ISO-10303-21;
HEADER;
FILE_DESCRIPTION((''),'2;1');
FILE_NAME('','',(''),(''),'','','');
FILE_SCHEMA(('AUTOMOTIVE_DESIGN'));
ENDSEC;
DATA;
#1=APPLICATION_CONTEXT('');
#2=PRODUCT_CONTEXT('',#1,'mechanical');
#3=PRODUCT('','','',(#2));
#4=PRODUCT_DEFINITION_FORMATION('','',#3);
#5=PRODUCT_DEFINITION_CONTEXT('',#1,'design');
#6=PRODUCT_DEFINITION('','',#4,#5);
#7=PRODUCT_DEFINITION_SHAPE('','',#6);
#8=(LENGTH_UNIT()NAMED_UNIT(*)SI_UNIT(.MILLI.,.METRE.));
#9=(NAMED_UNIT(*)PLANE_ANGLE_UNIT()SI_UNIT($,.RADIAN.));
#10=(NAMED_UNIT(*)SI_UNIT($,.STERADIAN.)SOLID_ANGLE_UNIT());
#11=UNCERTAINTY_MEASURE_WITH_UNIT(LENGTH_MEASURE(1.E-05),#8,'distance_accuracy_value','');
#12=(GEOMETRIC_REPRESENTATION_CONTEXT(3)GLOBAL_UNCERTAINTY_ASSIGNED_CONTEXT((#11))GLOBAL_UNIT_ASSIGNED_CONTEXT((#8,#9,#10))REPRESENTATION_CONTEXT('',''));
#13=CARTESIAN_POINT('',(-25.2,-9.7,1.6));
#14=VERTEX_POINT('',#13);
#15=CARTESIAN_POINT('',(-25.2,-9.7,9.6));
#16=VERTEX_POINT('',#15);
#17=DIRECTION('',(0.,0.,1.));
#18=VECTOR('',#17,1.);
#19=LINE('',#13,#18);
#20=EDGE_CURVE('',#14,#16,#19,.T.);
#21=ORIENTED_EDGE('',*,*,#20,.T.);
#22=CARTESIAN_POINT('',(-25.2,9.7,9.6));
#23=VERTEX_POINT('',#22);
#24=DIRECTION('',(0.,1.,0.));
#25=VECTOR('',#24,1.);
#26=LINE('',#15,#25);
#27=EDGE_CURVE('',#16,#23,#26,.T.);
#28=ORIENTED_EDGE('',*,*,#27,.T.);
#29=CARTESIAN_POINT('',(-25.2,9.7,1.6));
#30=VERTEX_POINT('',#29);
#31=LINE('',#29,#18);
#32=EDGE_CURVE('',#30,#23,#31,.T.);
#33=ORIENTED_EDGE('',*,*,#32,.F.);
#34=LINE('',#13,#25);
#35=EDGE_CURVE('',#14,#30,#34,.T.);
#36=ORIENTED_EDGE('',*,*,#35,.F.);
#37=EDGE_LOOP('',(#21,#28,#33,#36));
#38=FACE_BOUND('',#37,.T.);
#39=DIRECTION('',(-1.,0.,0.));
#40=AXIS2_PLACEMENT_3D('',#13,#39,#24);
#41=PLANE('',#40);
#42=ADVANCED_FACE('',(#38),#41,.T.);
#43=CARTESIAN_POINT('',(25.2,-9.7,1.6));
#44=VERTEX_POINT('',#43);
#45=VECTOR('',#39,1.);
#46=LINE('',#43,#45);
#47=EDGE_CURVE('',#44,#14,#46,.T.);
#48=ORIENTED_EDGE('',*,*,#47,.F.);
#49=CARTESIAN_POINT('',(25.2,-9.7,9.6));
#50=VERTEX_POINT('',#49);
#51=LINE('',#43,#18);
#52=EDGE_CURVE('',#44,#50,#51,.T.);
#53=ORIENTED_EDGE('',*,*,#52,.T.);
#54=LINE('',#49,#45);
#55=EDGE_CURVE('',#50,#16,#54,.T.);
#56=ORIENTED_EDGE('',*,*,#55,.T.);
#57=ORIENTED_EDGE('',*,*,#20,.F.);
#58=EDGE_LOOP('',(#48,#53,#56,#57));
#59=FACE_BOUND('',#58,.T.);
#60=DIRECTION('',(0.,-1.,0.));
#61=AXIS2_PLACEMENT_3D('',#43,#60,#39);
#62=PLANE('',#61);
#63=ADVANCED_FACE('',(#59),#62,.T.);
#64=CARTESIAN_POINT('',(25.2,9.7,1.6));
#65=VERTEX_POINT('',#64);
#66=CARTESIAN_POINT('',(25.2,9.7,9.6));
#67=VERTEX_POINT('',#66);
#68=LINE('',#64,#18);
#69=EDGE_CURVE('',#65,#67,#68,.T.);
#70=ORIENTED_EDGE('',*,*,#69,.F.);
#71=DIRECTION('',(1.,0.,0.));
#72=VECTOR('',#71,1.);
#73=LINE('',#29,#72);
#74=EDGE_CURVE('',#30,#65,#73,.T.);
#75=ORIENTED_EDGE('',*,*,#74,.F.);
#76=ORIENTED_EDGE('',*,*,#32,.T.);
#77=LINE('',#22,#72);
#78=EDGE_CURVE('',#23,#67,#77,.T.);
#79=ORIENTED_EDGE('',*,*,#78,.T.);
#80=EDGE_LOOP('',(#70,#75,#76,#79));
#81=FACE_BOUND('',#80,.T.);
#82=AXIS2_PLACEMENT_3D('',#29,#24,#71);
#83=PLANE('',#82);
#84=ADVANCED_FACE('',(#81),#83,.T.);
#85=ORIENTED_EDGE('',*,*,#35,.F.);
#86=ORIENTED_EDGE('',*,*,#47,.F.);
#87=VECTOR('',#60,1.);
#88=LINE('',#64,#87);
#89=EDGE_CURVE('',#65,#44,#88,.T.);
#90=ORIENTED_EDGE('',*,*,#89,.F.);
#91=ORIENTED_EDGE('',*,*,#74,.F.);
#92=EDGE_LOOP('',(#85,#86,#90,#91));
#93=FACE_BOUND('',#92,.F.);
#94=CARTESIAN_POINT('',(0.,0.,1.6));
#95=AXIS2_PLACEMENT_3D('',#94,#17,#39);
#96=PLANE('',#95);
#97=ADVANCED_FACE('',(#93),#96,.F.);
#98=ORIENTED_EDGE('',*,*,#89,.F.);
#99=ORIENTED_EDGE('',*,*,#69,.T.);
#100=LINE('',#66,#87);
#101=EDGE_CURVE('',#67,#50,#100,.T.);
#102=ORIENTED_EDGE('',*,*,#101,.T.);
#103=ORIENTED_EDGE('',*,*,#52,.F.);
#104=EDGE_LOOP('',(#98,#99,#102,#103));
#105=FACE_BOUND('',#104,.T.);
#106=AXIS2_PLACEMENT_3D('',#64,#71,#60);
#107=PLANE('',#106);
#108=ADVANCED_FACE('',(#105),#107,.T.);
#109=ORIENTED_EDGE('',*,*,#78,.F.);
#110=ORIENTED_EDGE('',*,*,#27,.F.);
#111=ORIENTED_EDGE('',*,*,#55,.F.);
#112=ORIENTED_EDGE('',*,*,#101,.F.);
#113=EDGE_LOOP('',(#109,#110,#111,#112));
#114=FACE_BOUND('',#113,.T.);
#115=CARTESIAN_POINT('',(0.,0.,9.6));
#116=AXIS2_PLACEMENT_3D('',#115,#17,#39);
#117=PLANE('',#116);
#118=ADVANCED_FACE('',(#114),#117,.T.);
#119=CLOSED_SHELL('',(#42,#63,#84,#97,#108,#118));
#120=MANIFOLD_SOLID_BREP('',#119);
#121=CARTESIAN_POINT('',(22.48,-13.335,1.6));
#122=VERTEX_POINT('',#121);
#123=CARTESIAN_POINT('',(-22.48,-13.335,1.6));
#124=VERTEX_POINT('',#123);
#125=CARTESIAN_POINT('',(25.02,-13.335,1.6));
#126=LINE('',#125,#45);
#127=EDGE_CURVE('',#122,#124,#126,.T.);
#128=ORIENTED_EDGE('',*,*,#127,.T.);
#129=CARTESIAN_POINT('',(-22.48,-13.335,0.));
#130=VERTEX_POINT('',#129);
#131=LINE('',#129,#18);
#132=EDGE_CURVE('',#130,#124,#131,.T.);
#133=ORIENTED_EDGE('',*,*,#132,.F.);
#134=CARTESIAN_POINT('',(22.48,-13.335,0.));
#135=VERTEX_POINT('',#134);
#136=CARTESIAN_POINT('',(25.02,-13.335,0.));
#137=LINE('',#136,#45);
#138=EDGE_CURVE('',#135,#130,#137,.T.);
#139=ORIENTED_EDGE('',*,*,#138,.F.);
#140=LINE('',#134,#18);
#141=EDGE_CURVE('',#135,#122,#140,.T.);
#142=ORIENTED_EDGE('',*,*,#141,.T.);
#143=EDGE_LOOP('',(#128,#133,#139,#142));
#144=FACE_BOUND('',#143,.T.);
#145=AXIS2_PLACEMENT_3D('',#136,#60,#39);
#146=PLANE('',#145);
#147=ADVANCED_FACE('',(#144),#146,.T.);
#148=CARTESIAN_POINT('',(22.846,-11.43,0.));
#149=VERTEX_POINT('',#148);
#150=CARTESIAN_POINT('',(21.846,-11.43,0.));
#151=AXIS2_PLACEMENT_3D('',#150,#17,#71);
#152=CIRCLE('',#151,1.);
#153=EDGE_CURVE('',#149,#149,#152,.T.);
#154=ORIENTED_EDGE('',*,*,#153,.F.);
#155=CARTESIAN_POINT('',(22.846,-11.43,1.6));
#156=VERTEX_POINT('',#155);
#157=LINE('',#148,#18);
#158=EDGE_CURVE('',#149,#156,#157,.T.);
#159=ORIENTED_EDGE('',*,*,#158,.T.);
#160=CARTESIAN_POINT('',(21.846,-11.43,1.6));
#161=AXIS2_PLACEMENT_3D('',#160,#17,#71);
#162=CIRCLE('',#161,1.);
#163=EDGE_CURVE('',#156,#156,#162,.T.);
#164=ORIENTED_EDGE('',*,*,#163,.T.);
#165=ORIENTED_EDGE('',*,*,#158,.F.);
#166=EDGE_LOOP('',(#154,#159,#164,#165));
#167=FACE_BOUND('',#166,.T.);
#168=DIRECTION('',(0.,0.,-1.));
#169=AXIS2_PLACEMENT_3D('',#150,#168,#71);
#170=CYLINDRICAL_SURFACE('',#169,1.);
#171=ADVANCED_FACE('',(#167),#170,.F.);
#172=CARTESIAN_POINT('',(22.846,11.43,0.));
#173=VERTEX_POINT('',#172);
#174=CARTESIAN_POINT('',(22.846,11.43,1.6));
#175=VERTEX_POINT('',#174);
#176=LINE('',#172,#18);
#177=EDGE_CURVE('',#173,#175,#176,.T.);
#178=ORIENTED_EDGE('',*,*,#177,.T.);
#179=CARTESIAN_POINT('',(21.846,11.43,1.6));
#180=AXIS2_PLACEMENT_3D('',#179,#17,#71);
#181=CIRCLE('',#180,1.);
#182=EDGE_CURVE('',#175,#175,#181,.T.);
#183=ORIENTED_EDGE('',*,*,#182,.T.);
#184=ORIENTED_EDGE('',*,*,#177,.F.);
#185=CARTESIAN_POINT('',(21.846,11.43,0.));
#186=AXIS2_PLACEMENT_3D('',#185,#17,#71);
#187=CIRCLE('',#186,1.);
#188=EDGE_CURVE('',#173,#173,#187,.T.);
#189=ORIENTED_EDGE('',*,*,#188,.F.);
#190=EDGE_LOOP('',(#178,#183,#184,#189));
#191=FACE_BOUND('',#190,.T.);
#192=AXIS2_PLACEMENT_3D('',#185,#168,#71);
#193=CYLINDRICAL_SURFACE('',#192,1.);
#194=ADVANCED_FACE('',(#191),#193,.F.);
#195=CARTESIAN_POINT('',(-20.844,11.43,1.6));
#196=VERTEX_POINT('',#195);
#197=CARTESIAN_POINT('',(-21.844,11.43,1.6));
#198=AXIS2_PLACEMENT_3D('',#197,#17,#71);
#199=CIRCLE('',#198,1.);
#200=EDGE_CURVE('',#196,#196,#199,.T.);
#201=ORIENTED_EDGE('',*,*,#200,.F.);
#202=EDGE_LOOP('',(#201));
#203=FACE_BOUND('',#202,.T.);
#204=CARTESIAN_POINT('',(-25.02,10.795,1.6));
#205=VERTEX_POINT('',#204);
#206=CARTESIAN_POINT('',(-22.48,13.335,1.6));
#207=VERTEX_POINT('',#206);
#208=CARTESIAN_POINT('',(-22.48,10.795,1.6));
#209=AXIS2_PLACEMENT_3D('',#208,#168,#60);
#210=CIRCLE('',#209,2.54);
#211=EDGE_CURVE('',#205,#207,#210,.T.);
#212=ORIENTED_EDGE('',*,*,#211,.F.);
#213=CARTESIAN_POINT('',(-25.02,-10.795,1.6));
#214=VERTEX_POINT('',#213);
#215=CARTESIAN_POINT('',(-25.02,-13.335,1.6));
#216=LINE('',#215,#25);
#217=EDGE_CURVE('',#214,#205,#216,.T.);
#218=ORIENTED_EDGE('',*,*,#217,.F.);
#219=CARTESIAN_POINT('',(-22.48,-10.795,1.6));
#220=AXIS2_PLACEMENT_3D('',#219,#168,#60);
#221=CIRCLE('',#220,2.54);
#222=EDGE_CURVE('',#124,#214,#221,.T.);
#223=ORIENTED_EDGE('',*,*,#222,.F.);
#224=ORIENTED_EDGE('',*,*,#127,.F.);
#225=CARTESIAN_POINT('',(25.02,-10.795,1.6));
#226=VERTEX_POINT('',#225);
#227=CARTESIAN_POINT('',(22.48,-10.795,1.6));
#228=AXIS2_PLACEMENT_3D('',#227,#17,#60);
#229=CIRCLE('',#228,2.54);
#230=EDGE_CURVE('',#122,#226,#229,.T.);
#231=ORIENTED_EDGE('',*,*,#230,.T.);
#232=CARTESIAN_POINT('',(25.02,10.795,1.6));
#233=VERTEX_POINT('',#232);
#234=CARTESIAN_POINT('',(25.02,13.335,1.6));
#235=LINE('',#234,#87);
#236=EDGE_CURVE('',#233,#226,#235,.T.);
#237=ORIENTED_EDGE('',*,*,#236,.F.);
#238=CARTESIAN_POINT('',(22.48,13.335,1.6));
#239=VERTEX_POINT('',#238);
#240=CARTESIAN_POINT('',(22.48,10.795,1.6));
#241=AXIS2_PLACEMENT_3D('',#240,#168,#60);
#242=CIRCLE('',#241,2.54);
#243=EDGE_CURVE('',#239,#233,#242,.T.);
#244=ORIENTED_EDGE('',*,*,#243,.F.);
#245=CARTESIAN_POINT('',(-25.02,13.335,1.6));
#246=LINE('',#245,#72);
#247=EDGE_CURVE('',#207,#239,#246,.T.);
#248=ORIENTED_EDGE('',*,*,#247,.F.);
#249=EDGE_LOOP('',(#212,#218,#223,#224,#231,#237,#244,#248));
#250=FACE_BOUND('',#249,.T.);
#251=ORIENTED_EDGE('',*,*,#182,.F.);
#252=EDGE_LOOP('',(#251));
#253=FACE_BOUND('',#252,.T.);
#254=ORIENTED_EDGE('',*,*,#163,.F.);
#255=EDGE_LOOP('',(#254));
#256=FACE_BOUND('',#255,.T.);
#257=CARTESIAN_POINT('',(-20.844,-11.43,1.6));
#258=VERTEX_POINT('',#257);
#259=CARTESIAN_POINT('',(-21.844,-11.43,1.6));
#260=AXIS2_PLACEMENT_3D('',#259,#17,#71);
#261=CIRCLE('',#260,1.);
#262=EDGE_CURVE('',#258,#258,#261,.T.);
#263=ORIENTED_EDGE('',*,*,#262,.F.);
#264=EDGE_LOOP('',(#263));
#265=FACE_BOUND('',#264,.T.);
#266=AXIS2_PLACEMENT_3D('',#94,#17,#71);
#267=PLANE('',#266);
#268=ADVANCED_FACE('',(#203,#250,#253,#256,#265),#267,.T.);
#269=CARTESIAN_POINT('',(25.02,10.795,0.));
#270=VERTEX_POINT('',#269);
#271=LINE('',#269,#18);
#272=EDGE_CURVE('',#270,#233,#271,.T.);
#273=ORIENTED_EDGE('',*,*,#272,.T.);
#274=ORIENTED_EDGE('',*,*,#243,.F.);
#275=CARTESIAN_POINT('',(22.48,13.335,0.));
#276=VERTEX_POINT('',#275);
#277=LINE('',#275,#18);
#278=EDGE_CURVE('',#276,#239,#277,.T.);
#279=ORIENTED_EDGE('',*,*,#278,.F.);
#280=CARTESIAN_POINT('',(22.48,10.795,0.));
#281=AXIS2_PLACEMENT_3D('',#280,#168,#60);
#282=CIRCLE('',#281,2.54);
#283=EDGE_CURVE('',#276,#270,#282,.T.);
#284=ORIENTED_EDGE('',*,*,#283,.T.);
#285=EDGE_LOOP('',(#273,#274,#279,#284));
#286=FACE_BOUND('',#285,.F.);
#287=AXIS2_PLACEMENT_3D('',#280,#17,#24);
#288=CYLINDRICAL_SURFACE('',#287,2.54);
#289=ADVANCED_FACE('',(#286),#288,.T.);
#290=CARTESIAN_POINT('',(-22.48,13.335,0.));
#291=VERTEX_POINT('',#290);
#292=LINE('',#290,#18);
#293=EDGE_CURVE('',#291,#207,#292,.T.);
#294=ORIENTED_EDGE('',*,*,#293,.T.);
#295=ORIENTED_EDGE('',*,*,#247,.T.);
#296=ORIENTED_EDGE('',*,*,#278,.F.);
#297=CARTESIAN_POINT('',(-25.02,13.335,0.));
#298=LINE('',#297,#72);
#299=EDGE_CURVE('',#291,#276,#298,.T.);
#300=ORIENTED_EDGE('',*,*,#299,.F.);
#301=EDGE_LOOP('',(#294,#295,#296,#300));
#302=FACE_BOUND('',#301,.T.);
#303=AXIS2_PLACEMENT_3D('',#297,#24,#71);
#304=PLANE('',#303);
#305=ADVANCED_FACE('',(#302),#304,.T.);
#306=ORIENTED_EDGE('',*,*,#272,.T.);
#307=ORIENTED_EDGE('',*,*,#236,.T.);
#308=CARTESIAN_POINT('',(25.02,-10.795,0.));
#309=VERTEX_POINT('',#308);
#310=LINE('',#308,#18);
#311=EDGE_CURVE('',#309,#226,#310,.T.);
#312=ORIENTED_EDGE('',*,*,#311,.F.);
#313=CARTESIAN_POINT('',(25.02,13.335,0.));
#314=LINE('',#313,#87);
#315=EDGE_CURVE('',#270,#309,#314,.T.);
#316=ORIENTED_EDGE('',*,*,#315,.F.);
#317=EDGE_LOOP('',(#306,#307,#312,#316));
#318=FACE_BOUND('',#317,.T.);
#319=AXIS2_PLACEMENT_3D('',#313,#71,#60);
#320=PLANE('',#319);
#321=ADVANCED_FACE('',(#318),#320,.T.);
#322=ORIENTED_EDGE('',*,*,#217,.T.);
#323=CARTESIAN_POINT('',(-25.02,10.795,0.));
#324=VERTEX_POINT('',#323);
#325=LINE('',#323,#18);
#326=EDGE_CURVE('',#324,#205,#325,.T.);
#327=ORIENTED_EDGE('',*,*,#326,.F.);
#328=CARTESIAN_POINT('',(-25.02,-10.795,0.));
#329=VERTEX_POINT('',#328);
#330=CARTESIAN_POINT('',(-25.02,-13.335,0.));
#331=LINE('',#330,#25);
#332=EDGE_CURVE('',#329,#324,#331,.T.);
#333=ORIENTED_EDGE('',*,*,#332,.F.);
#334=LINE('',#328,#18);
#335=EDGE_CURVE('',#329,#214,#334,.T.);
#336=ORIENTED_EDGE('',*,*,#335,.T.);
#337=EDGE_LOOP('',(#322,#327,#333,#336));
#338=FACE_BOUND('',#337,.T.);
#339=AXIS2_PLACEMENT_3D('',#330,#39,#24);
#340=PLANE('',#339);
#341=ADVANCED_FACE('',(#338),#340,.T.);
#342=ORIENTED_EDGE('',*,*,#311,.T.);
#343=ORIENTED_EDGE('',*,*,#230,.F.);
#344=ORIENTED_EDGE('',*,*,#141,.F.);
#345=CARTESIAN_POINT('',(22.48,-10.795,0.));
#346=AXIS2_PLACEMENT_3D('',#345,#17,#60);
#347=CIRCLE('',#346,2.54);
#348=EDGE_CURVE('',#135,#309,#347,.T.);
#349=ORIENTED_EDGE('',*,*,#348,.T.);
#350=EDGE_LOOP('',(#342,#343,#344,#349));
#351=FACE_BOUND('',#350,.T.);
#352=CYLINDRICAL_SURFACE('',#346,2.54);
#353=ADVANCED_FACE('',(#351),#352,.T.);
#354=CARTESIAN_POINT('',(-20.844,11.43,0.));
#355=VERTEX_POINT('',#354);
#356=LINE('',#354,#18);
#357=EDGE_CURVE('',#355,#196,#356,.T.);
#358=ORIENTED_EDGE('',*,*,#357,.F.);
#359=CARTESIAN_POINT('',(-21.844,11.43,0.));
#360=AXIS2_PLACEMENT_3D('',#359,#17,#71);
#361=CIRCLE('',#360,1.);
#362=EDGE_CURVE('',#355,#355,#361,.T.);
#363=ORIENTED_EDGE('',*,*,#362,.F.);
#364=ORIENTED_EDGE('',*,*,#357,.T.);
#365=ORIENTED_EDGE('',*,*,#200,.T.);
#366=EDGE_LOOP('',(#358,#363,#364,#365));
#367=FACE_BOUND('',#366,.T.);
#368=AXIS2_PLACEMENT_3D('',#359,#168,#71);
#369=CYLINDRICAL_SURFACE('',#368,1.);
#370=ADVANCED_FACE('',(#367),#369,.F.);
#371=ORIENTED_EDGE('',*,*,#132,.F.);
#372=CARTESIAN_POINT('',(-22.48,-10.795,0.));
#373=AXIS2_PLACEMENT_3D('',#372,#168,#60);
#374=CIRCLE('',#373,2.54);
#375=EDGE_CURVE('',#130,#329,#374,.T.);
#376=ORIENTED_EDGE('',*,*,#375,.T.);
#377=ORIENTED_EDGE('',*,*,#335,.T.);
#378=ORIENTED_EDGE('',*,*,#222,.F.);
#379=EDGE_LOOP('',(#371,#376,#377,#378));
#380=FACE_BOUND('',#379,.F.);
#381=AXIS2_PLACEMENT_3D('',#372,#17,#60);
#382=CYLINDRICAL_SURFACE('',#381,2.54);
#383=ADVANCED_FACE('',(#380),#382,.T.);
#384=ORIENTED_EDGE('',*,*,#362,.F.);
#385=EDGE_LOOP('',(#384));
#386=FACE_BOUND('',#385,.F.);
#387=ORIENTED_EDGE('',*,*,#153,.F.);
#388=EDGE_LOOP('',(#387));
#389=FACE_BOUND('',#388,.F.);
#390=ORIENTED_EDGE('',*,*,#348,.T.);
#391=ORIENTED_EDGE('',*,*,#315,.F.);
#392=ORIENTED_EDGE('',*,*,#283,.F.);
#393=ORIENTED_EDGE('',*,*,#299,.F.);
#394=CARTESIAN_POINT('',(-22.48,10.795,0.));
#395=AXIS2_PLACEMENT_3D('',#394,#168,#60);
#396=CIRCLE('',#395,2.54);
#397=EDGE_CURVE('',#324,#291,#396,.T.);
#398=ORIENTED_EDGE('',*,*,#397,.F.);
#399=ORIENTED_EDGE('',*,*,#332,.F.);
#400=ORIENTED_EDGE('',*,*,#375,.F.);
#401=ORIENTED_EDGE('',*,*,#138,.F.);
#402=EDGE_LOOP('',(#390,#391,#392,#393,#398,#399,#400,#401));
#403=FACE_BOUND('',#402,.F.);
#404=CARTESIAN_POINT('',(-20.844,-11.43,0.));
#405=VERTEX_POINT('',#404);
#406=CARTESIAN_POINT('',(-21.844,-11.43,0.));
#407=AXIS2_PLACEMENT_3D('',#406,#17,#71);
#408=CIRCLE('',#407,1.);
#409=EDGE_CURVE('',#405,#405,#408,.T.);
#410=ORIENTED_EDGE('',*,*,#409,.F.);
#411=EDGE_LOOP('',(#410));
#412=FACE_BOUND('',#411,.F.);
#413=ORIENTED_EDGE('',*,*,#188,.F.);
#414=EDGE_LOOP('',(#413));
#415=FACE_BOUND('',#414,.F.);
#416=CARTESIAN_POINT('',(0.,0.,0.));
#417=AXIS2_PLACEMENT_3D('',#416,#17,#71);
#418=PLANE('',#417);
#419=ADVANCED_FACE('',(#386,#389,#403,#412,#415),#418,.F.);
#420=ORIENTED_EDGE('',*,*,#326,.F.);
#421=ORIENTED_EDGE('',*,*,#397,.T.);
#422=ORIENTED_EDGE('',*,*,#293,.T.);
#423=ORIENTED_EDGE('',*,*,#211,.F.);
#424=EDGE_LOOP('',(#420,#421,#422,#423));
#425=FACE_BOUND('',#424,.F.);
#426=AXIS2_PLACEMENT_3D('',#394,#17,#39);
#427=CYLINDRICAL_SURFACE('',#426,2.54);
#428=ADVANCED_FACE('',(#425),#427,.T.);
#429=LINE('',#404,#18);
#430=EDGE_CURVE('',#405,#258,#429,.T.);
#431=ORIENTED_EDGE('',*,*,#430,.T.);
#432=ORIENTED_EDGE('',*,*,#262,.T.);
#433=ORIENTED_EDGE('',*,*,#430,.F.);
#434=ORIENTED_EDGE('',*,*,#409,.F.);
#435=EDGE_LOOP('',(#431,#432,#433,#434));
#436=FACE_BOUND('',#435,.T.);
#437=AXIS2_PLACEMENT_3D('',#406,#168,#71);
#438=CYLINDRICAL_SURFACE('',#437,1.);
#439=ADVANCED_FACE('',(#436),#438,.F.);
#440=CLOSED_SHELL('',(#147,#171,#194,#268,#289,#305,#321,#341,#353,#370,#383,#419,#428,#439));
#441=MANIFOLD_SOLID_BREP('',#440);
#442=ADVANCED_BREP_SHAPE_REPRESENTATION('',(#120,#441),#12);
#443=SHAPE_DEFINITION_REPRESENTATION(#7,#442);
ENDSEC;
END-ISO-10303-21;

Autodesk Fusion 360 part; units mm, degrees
sketch "Sketch1" plane through (0, 0, 0) normal (0, 0, 1) x (1, 0, 0)
  line L0 (25.02, -13.335) -> (-25.02, -13.335)
  line L1 (-25.02, -13.335) -> (-25.02, 13.335)
  line L2 (-25.02, 13.335) -> (25.02, 13.335)
  line L3 (25.02, 13.335) -> (25.02, -13.335)
  line L4 (25.02, -13.335) -> (-25.02, 13.335) construction
  line L5 (-25.02, -13.335) -> (25.02, 13.335) construction
  circle A0 centre (-21.844, 11.43) radius 1
  circle A1 centre (21.846, 11.43) radius 1
  line L6 (0, 0) -> (25.02, 0) construction
  circle A2 centre (-21.844, -11.43) radius 1
  circle A3 centre (21.846, -11.43) radius 1
  dimension "d1" = 26.67
  dimension "d2" = 50.04
  dimension "d3" = 2
  dimension "d4" = 11.43
  dimension "d5" = 21.844
  dimension "d7" = 43.69
extrude "Extrude1" add sketch "Sketch1" along normal blind 1.6 makes body 1
fillet "Fillet1" radius 2.54 4 edges at (-25.02, 13.335, 0.8) (-25.02, -13.335, 0.8) (25.02, 13.335, 0.8) (25.02, -13.335, 0.8) on bodies 1
sketch "Sketch2" plane through (0, 0, 1.6) normal (0, 0, 1) x (-1, 0, 0)
  arc A0 (-22.48, 13.335) -> (-25.02, 10.795) centre (-22.48, 10.795) ccw
  line L0 (-25.02, 10.795) -> (-25.02, -10.795) construction
  arc A1 (-25.02, -10.795) -> (-22.48, -13.335) centre (-22.48, -10.795) ccw
  line L1 (-22.48, -13.335) -> (22.48, -13.335)
  arc A2 (22.48, -13.335) -> (25.02, -10.795) centre (22.48, -10.795) ccw
  line L2 (25.02, -10.795) -> (25.02, 10.795) construction
  arc A3 (25.02, 10.795) -> (22.48, 13.335) centre (22.48, 10.795) ccw
  line L3 (22.48, 13.335) -> (-22.48, 13.335)
  circle A4 centre (-21.846, 11.43) radius 1 construction
  circle A5 centre (21.844, 11.43) radius 1 construction
  circle A6 centre (-21.846, -11.43) radius 1 construction
  circle A7 centre (21.844, -11.43) radius 1 construction
  line L4 (-25.2, 9.7) -> (25.2, 9.7)
  line L5 (25.2, 9.7) -> (25.2, -9.7)
  line L6 (25.2, -9.7) -> (-25.2, -9.7)
  line L7 (-25.2, -9.7) -> (-25.2, 9.7)
  line L8 (-25.2, 9.7) -> (25.2, -9.7) construction
  line L9 (25.2, 9.7) -> (-25.2, -9.7) construction
  line L10 (-25.5, 10) -> (25.5, 10)
  line L11 (25.5, 10) -> (25.5, -10)
  line L12 (25.5, -10) -> (-25.5, -10)
  line L13 (-25.5, -10) -> (-25.5, 10)
  dimension "d11" = 50.4
  dimension "d12" = 19.4
  dimension "d28" = 0.3
extrude "Extrude2" add sketch "Sketch2" along normal blind 8 separate body contours L4 L5 L6 L7 makes body 2
sketch "Sketch3" plane through (0, 0, 1.6) normal (0, 0, 1) x (-1, 0, 0)
  arc A0 (-22.48, 13.335) -> (-25.02, 10.795) centre (-22.48, 10.795) ccw
  line L0 (-25.02, 10.795) -> (-25.02, -10.795)
  arc A1 (-25.02, -10.795) -> (-22.48, -13.335) centre (-22.48, -10.795) ccw
  line L1 (-22.48, -13.335) -> (22.48, -13.335)
  arc A2 (22.48, -13.335) -> (25.02, -10.795) centre (22.48, -10.795) ccw
  line L2 (25.02, -10.795) -> (25.02, 10.795)
  arc A3 (25.02, 10.795) -> (22.48, 13.335) centre (22.48, 10.795) ccw
  line L3 (22.48, 13.335) -> (-22.48, 13.335)
  circle A4 centre (-21.846, 11.43) radius 1
  circle A5 centre (21.844, 11.43) radius 1
  circle A6 centre (-21.846, -11.43) radius 1
  circle A7 centre (21.844, -11.43) radius 1
  circle A8 centre (21.844, -11.43) radius 1.9
  circle A9 centre (-21.846, -11.43) radius 1.9
  circle A10 centre (21.844, 11.43) radius 1.9
  circle A11 centre (-21.846, 11.43) radius 1.9
  line L4 (27.52, -10.795) -> (27.52, 10.795)
  arc A12 (27.52, 10.795) -> (22.48, 15.835) centre (22.48, 10.795) ccw
  line L5 (22.48, 15.835) -> (-22.48, 15.835)
  arc A13 (-22.48, 15.835) -> (-27.52, 10.795) centre (-22.48, 10.795) ccw
  line L6 (-27.52, 10.795) -> (-27.52, -10.795)
  arc A14 (-27.52, -10.795) -> (-22.48, -15.835) centre (-22.48, -10.795) ccw
  line L7 (-22.48, -15.835) -> (22.48, -15.835)
  arc A15 (22.48, -15.835) -> (27.52, -10.795) centre (22.48, -10.795) ccw
  dimension "d15" = 3.8
  dimension "d16" = 3.8
  dimension "d17" = 3.8
  dimension "d18" = 3.8
  dimension "d19" = 2.5
extrude "Extrude3" add sketch "Sketch3" along normal blind 4 and the other way blind -3 separate body contours A0 L0 A1 L1 A2 L2 A3 L3 | A4 | A5 | A6 | A7 | A8 | A9 | A10 | A11 | L4 A12 L5 A13 L6 A14 L7 A15 makes body 3
extrude "Extrude4" add sketch "Sketch3" along normal blind 3 contours A4 | A5 | A6 | A7 | A8 | A9 | A10 | A11 bodies 3
extrude "Extrude5" add sketch "Sketch3" against normal blind 2 contours A4 | A5 | A6 | A7 bodies 3
extrude "Extrude6" cut sketch "Sketch2" along normal through all contours L4 L5 L6 L7 | L10 L11 L12 L13 bodies 3
hidden bodies 3
